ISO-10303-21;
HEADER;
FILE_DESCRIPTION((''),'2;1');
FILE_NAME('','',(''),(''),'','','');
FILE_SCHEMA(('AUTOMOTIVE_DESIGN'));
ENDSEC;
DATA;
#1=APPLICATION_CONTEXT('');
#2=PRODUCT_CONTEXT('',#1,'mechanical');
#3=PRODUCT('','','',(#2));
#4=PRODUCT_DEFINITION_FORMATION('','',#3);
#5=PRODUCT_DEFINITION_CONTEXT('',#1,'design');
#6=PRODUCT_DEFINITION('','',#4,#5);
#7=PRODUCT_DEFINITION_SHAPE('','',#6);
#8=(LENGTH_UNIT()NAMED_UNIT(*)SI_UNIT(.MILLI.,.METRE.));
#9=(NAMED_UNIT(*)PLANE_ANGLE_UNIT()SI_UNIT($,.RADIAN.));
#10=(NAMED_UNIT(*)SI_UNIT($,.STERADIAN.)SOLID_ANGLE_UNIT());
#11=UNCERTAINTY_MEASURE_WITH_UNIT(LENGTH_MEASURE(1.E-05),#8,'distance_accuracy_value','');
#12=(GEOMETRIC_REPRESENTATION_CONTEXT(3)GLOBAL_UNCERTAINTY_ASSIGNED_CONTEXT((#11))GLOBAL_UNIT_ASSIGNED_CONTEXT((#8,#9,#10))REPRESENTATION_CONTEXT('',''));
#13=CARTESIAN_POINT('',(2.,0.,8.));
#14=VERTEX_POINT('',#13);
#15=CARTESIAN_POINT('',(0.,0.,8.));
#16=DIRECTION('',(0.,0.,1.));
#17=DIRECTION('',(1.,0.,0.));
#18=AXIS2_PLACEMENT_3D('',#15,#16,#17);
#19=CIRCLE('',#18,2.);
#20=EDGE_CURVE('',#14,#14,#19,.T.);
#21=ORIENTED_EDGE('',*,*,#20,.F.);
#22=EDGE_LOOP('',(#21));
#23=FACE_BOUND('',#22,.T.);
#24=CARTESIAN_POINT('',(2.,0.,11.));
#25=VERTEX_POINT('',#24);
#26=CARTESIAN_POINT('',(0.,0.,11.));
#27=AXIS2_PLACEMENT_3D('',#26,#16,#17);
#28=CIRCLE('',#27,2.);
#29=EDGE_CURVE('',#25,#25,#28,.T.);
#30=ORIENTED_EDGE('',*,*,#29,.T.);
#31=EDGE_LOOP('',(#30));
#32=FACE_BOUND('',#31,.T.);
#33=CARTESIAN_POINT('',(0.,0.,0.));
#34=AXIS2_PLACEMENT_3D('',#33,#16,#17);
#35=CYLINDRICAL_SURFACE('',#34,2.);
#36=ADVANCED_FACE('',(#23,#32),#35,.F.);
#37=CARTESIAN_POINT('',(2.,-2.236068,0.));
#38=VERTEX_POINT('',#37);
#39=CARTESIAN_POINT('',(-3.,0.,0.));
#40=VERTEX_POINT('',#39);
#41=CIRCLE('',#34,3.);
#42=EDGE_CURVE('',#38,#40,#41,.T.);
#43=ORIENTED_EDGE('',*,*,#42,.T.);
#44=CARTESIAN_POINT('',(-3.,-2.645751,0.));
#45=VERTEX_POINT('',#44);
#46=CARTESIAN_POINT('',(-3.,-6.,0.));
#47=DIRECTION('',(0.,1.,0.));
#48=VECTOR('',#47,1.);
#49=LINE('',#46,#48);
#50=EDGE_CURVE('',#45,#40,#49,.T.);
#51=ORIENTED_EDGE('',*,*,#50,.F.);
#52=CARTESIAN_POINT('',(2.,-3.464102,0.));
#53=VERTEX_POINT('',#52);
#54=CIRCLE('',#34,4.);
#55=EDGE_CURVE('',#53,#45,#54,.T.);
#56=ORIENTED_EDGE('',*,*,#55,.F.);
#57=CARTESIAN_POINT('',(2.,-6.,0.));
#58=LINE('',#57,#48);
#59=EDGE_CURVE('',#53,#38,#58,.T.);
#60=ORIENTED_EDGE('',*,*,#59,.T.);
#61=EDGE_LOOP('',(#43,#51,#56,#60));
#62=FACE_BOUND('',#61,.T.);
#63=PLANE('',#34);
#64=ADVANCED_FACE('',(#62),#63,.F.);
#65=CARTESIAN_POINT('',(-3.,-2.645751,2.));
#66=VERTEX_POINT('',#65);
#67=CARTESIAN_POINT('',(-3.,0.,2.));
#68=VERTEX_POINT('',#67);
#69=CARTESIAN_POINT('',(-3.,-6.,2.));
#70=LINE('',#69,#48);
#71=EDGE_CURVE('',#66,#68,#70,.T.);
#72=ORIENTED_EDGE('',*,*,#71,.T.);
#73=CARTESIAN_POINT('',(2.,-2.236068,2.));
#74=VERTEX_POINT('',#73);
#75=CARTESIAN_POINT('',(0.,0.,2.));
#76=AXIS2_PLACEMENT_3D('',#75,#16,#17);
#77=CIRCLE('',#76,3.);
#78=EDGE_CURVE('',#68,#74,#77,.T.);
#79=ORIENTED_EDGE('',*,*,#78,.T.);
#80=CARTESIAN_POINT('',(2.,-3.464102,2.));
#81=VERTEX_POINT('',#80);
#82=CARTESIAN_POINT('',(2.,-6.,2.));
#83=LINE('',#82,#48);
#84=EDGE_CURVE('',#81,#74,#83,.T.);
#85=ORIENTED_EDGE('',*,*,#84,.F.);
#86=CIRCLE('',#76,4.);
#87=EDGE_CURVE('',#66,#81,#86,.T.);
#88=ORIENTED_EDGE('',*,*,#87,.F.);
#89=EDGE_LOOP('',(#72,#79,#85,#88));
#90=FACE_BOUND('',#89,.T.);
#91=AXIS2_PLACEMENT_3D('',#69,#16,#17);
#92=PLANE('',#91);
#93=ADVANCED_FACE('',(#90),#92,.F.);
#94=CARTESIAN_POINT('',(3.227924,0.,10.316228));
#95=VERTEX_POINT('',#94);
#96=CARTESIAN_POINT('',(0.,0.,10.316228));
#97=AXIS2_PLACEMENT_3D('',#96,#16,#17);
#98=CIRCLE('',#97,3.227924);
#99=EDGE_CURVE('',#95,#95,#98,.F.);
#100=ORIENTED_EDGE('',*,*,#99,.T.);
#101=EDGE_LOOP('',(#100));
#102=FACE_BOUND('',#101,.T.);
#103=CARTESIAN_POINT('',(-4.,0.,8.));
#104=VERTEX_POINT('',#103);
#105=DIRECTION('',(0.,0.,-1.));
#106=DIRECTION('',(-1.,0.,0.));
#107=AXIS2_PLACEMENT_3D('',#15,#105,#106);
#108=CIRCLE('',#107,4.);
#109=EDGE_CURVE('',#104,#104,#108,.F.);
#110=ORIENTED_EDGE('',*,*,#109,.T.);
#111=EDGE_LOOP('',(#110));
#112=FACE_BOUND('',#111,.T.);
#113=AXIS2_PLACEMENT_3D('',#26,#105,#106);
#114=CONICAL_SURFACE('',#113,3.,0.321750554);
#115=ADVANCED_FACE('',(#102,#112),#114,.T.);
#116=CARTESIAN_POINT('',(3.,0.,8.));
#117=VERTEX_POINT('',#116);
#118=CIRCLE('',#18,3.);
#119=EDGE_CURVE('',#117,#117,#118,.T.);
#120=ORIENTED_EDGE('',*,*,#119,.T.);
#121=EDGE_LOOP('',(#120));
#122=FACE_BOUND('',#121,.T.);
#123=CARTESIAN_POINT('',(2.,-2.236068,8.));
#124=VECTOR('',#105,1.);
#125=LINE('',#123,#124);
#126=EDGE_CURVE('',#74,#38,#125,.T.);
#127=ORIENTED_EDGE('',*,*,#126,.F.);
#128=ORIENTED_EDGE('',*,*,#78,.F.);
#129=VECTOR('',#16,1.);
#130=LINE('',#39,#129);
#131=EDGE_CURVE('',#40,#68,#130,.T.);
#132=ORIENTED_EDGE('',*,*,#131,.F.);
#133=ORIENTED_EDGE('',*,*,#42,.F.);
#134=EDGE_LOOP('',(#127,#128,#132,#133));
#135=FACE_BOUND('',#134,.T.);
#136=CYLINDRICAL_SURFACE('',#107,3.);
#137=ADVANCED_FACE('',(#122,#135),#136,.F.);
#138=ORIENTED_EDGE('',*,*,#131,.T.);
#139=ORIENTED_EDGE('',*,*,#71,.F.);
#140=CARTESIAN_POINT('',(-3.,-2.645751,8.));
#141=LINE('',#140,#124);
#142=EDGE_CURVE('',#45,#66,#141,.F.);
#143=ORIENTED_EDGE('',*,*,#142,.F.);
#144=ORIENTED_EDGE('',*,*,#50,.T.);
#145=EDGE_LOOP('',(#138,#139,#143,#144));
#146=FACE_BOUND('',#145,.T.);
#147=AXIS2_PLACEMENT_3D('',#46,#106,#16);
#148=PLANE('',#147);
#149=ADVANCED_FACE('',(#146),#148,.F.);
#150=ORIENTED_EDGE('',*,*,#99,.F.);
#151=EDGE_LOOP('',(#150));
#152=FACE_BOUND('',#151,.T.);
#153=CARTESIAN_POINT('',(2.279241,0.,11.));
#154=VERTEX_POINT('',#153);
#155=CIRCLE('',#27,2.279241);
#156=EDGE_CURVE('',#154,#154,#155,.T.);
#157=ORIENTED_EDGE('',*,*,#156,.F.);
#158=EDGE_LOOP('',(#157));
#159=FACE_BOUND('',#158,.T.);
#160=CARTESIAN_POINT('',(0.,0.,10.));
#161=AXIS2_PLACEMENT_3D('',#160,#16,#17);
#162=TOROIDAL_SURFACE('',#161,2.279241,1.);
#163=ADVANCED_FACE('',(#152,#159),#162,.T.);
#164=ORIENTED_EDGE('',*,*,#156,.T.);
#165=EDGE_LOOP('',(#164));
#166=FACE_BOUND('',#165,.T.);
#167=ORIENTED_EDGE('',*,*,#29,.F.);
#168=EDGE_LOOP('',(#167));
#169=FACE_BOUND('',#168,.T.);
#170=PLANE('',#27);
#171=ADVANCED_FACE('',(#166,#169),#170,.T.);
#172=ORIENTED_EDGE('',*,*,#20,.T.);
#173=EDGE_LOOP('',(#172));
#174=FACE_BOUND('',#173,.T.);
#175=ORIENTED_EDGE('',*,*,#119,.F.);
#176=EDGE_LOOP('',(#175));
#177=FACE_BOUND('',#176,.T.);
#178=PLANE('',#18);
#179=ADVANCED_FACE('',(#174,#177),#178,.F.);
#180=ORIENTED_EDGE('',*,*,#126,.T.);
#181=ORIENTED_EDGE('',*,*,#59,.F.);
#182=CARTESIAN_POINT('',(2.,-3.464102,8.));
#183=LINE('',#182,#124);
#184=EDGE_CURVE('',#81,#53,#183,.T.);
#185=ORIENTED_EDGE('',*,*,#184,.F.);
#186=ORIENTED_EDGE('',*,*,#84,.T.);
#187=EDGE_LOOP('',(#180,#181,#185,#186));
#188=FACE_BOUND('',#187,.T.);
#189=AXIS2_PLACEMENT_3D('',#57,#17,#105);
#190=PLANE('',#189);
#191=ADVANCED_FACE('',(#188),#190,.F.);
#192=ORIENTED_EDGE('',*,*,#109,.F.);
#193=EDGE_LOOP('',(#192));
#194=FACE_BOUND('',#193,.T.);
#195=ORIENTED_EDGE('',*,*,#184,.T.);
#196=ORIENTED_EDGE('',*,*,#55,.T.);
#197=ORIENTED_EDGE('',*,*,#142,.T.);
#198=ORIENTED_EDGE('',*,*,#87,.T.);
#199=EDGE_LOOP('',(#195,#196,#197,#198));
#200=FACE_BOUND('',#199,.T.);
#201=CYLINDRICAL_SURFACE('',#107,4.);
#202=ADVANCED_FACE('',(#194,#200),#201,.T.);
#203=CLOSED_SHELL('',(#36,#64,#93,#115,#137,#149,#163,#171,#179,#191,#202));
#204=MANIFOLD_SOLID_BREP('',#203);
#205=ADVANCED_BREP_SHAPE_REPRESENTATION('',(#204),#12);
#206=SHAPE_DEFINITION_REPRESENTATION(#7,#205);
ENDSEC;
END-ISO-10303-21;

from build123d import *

# Parameters (mm, degrees)
SKETCH1_R           = 4
SKETCH1_R_2         = 3
BOSS_EXTRUDE1_DEPTH = 8
SKETCH2_R           = 4
SKETCH3_R           = 3
SKETCH4_R           = 2
CUT_EXTRUDE1_DEPTH  = 13.369316942
FILLET1_R           = 1
SKETCH5_W           = 5
SKETCH5_H           = 2
CUT_EXTRUDE2_DEPTH  = 6


with BuildPart() as part:
    # Sketch1 → Boss-Extrude1 (new body)
    with BuildSketch(Plane.XY):
        Circle(SKETCH1_R)
        Circle(SKETCH1_R_2, mode=Mode.SUBTRACT)
    extrude(amount=BOSS_EXTRUDE1_DEPTH)

    # Sketch2 → Loft1 section 0
    with BuildSketch(Plane.XY.offset(8)):
        Circle(SKETCH2_R)
    # Sketch3 → Loft1 section 1
    with BuildSketch(Plane.XY.offset(11)):
        Circle(SKETCH3_R)
    loft()

    # Sketch4 → Cut-Extrude1 (cut, through all)
    with BuildSketch(Plane.XY.offset(11)):
        Circle(SKETCH4_R)
    extrude(amount=-CUT_EXTRUDE1_DEPTH, mode=Mode.SUBTRACT)

    # Fillet1
    fillet1_edges = [part.edges().sort_by_distance(p)[0] for p in [
        (-3, 0, 11),
    ]]
    fillet(fillet1_edges, radius=FILLET1_R)

    # Sketch5 → Cut-Extrude2 (cut)
    with BuildSketch(Plane(origin=(0, 0, 0), x_dir=(1, 0, 0), z_dir=(0, 1, 0))):
        with Locations((-0.5, -1)):
            Rectangle(SKETCH5_W, SKETCH5_H)
    extrude(amount=-CUT_EXTRUDE2_DEPTH, mode=Mode.SUBTRACT)


solid = part.part
